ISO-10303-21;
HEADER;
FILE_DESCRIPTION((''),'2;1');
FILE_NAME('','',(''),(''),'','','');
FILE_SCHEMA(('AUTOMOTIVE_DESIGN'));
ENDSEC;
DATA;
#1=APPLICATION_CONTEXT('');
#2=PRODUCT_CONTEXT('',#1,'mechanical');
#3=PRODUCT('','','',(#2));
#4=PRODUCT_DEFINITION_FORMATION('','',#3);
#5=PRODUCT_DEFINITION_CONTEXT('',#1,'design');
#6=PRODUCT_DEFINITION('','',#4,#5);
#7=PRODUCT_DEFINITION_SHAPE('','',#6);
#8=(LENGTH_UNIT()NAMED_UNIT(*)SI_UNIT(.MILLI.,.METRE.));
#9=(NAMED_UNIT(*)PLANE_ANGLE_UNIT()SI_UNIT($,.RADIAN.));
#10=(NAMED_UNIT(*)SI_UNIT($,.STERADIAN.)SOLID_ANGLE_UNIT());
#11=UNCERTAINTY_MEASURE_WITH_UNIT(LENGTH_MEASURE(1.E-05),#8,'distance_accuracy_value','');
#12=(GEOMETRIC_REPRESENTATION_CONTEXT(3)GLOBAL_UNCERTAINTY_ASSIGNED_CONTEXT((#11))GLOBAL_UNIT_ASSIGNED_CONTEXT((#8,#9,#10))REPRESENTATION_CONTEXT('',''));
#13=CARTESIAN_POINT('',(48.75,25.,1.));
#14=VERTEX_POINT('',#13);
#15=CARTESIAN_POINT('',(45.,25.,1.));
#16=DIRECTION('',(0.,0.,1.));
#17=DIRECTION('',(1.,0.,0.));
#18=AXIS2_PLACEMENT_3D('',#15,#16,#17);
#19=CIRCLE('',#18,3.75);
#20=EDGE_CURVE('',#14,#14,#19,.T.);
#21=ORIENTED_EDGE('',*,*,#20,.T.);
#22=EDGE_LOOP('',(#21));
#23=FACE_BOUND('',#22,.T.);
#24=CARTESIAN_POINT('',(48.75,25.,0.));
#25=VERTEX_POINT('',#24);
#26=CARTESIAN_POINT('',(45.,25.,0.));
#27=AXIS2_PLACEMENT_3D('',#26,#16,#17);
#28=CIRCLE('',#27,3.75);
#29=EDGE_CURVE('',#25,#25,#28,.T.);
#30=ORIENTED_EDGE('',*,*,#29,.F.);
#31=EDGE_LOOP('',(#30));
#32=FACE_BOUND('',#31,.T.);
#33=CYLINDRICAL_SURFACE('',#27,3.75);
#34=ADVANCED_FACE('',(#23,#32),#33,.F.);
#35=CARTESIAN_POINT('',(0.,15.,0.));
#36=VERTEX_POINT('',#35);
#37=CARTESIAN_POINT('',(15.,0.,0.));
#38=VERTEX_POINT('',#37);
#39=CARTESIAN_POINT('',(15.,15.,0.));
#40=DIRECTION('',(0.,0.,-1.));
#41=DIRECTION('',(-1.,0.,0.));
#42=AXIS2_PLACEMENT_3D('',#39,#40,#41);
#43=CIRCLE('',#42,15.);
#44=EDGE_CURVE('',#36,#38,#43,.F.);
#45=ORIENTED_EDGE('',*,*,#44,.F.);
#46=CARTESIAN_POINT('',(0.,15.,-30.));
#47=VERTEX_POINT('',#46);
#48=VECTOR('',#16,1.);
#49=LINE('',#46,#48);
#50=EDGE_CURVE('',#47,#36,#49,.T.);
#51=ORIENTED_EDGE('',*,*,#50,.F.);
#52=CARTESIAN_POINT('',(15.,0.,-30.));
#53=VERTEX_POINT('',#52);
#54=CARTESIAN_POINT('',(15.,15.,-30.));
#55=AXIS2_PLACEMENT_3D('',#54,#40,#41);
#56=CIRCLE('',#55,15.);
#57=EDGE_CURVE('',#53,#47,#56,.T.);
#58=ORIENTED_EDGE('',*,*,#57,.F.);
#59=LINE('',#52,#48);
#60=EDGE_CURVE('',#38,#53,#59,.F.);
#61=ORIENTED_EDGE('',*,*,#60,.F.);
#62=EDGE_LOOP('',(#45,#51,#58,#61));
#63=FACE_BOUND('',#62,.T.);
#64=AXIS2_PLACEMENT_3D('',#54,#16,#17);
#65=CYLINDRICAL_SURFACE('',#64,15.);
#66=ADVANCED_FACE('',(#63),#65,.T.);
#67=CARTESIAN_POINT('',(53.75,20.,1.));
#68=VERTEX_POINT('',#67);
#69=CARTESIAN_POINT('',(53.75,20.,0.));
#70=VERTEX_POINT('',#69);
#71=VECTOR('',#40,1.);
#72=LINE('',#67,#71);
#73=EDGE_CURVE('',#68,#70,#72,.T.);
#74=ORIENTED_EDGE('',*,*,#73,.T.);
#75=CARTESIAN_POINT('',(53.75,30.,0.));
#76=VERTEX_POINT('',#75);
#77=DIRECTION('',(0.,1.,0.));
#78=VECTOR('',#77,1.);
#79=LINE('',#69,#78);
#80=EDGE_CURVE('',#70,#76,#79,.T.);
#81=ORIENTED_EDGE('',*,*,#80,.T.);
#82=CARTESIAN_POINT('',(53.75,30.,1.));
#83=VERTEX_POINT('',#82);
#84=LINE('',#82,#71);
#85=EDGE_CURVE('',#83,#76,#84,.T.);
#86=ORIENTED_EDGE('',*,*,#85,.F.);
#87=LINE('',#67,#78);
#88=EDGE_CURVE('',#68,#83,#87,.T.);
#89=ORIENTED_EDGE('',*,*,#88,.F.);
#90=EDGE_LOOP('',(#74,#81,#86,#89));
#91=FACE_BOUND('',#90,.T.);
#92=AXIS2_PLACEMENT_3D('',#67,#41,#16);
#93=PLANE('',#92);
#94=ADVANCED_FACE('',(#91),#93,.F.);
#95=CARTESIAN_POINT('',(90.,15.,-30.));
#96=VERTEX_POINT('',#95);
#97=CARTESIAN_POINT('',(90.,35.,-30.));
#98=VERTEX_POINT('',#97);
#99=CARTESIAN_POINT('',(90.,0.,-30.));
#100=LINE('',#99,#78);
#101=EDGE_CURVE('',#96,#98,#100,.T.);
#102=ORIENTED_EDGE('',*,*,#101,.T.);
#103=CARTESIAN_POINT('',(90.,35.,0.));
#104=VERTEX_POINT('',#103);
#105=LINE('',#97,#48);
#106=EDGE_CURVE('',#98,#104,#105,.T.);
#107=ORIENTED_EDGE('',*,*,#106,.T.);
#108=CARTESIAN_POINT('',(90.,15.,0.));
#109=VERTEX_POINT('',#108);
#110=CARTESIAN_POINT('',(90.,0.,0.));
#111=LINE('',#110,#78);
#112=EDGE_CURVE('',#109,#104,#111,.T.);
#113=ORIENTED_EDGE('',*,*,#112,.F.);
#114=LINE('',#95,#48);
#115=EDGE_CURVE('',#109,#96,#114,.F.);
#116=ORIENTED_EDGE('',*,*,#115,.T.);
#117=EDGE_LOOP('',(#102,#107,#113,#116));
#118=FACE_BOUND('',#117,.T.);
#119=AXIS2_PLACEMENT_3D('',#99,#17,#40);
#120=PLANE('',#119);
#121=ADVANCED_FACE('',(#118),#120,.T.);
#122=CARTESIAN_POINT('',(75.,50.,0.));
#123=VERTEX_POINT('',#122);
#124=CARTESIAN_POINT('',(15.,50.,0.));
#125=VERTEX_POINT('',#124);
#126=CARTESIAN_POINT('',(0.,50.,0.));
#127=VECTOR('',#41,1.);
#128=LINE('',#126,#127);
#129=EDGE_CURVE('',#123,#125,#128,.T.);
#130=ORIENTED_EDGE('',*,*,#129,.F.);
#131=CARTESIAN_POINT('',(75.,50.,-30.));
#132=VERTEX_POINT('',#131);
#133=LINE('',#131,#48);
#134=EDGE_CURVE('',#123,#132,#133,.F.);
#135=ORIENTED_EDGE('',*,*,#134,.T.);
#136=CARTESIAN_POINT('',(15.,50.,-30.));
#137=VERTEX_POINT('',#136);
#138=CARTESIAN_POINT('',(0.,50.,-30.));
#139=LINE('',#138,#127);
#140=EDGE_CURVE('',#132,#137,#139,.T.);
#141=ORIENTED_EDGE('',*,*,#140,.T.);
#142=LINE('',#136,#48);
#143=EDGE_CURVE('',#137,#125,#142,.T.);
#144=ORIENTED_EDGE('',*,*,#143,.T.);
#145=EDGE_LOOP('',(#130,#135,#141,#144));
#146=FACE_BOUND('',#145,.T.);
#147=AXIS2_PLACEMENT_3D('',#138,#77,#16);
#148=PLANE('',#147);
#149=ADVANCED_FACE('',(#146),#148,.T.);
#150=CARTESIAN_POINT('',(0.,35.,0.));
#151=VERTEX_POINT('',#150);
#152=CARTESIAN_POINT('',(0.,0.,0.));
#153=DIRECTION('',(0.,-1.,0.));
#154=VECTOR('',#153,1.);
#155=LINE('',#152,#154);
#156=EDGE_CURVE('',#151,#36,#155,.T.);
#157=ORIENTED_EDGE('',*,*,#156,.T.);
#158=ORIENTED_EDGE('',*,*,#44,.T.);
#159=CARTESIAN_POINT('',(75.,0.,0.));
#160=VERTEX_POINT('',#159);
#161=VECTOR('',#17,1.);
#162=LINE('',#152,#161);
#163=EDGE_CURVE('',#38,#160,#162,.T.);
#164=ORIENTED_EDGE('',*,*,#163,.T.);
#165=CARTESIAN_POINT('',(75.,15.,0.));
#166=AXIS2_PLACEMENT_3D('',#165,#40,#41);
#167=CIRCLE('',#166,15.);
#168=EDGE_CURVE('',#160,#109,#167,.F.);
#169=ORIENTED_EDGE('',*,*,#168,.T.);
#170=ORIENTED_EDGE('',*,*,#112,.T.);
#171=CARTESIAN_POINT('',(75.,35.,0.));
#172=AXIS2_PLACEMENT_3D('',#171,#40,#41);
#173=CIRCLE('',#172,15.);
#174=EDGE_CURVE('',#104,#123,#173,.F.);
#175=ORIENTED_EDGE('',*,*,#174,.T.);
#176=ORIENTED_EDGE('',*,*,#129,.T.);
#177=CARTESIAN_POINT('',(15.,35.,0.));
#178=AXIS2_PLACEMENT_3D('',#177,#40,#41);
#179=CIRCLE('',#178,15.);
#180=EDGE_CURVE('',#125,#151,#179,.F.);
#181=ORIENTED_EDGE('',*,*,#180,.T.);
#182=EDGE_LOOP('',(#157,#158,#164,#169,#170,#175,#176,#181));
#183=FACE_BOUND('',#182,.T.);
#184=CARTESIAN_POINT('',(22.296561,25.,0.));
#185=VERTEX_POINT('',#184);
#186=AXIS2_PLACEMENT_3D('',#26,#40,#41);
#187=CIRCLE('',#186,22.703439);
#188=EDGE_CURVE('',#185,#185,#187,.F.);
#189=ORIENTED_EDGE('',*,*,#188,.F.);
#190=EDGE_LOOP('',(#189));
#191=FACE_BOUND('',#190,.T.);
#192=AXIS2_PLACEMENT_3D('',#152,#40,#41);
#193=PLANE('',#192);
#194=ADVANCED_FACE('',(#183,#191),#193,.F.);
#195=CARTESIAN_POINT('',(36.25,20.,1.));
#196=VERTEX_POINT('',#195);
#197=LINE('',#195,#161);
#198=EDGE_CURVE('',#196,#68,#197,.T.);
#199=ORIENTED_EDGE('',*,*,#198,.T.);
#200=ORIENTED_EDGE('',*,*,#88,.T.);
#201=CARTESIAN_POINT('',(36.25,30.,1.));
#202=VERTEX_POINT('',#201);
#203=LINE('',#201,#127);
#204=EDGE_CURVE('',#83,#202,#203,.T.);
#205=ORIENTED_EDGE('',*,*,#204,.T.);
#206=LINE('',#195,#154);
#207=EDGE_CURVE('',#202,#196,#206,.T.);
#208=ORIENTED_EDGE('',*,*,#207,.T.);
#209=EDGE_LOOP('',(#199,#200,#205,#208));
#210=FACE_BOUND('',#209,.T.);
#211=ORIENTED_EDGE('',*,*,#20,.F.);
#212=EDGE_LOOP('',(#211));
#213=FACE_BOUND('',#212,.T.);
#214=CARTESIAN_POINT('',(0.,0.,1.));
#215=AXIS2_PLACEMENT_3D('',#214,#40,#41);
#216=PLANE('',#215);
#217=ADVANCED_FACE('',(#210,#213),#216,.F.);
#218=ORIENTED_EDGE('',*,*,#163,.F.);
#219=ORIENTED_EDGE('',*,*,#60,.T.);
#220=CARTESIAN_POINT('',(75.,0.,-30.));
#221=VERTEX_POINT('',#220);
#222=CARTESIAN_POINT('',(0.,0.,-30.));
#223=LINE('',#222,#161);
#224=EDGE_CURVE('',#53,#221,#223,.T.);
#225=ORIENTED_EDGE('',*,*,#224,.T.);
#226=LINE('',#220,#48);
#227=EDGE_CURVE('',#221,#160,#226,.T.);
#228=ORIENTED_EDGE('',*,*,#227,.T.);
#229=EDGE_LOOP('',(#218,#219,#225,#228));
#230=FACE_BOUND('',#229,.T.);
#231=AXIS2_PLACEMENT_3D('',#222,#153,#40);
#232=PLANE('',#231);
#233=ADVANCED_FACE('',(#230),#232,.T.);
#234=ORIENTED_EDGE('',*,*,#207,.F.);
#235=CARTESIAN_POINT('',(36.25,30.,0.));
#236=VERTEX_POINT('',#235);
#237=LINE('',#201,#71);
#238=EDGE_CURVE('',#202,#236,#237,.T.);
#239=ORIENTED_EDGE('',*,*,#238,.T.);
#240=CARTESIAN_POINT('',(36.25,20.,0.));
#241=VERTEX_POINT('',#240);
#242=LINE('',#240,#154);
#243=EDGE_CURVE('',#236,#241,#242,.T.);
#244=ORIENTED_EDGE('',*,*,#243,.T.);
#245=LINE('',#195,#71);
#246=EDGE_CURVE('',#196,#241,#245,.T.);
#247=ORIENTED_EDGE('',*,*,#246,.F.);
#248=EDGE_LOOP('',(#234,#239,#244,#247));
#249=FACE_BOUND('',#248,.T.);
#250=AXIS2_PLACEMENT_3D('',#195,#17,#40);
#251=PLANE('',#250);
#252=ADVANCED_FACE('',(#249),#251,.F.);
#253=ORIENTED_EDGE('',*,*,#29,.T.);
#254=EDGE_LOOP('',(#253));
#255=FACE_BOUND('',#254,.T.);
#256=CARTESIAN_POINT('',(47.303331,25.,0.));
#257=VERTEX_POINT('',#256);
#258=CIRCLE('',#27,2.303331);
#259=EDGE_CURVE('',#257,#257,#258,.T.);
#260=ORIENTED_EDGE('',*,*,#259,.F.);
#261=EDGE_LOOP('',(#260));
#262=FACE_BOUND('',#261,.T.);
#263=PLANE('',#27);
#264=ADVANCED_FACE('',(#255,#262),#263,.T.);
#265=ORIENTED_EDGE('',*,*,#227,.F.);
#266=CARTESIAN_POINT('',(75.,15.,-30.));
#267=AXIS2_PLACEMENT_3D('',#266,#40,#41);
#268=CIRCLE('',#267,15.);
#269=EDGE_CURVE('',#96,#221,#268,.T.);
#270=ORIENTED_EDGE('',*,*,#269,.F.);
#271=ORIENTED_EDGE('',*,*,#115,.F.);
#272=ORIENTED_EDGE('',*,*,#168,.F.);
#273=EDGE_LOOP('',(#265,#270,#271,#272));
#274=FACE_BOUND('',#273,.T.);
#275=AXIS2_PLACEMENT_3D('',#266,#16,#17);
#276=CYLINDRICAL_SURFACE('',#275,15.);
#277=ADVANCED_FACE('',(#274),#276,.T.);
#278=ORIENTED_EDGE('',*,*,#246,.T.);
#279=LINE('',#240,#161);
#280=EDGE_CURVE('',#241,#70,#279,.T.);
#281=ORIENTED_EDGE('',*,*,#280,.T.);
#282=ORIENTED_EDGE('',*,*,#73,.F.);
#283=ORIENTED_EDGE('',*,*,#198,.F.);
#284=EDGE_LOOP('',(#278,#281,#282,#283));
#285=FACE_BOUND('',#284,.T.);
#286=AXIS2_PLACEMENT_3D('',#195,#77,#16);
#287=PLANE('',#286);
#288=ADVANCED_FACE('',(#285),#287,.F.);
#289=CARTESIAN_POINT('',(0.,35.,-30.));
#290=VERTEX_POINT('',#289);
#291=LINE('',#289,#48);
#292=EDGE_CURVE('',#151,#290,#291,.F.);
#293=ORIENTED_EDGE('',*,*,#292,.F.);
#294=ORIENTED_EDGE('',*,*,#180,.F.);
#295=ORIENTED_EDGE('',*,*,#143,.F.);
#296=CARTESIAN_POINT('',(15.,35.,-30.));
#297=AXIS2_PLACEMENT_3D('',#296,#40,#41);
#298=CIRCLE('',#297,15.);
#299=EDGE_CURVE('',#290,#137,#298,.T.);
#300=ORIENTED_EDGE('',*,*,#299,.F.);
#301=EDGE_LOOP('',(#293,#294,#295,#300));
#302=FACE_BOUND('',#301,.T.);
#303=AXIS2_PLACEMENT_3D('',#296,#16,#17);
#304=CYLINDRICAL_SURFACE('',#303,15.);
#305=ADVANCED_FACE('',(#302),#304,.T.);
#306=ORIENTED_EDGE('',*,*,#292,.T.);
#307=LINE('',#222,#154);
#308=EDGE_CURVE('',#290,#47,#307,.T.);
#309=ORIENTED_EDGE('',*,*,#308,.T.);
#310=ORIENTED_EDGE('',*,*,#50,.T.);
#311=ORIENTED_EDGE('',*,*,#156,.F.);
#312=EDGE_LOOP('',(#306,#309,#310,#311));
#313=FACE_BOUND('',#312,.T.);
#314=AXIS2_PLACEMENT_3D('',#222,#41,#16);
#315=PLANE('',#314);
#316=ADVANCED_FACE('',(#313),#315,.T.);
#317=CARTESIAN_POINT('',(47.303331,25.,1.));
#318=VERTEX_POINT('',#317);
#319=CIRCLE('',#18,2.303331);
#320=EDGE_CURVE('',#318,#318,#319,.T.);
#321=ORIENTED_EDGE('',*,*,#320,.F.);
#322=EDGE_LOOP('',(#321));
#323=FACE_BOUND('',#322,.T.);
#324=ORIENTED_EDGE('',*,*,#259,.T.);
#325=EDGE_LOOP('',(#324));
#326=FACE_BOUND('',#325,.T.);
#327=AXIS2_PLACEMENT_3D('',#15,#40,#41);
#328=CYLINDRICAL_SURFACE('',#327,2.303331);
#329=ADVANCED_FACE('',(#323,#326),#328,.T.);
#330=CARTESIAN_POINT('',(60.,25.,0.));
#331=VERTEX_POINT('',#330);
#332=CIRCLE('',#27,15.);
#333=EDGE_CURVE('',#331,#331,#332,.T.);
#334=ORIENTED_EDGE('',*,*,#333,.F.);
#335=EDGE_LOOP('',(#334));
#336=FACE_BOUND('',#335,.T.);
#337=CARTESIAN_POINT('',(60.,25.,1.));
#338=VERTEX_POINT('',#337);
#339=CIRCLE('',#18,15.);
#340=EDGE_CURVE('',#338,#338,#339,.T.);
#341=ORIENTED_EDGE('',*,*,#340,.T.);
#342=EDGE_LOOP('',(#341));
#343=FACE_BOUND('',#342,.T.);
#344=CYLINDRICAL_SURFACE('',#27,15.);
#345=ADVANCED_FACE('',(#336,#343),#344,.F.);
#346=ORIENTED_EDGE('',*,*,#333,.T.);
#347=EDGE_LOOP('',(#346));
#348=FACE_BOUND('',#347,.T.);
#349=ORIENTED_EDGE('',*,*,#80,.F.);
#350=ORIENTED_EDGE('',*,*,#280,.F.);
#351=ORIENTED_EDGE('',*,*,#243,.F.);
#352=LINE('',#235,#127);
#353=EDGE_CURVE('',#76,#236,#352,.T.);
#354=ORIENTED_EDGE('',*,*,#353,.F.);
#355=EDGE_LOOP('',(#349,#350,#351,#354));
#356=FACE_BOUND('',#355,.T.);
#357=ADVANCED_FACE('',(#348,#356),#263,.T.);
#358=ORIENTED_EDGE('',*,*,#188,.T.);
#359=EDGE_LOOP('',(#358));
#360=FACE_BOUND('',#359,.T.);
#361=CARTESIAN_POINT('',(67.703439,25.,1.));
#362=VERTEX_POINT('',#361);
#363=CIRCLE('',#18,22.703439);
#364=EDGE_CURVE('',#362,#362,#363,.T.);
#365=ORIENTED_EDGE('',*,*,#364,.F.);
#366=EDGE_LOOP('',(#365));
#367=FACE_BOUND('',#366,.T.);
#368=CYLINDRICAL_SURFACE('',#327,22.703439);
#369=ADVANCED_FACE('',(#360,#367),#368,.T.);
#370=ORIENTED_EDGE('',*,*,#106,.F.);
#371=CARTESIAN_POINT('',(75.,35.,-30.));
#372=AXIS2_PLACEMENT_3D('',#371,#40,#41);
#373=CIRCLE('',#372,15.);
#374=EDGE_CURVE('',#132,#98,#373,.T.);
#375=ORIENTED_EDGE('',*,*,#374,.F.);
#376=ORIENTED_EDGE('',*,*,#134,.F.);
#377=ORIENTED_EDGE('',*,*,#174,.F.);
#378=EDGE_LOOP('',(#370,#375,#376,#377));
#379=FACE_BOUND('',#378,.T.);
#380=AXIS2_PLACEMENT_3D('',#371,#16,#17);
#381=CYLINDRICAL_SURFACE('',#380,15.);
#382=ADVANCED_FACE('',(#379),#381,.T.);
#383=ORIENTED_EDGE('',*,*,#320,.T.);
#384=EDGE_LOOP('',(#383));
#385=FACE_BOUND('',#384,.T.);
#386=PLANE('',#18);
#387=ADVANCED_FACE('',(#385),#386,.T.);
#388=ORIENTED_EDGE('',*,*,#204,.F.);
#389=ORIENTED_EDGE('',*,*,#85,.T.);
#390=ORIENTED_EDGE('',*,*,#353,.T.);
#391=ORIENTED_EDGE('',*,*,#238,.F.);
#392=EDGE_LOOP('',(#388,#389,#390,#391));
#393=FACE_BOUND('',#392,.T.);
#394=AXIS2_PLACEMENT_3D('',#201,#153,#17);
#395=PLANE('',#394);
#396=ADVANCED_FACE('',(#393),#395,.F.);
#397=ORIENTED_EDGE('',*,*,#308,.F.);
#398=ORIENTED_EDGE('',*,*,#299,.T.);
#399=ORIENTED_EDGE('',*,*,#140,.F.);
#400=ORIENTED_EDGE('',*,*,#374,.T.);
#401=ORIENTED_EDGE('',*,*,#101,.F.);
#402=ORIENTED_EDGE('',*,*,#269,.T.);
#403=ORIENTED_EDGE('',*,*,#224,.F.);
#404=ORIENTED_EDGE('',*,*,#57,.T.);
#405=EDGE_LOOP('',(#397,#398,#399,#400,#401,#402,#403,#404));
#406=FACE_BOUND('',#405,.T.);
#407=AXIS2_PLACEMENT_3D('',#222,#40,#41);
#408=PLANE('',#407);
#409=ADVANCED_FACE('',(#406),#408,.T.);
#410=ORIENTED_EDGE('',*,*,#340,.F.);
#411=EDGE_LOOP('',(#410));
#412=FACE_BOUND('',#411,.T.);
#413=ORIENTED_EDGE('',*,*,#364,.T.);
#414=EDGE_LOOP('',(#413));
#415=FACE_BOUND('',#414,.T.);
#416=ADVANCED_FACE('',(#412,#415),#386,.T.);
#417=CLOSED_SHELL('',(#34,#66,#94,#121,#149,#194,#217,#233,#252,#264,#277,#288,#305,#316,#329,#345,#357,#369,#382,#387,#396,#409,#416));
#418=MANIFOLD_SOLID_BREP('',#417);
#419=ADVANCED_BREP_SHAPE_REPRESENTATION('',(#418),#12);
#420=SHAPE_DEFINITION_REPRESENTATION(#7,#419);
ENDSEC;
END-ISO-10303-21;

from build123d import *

# Parameters (mm, degrees)
SKETCH1_W           = 90
SKETCH1_H           = 50
BOSS_EXTRUDE1_DEPTH = 30
FILLET1_R           = 15
SKETCH2_R           = 22.703438641
BOSS_EXTRUDE2_DEPTH = 1
SKETCH3_R           = 15
CUT_EXTRUDE1_DEPTH  = 1
SKETCH4_W           = 17.5
SKETCH4_H           = 10
BOSS_EXTRUDE3_DEPTH = 1
SKETCH5_R           = 3.75
CUT_EXTRUDE2_DEPTH  = 1
SKETCH6_R           = 2.30333071
BOSS_EXTRUDE4_DEPTH = 1


with BuildPart() as part:
    # Sketch1 → Boss-Extrude1 (new body)
    with BuildSketch(Plane.XY):
        with Locations((45, 25)):
            Rectangle(SKETCH1_W, SKETCH1_H)
    extrude(amount=-BOSS_EXTRUDE1_DEPTH)

    # Fillet1
    fillet1_edges = [part.edges().sort_by_distance(p)[0] for p in [
        (0, 50, -15),
        (90, 50, -15),
        (90, 0, -15),
        (0, 0, -15),
    ]]
    fillet(fillet1_edges, radius=FILLET1_R)

    # Sketch2 → Boss-Extrude2 (add)
    with BuildSketch(Plane.XY):
        with Locations((45, 25)):
            Circle(SKETCH2_R)
    extrude(amount=BOSS_EXTRUDE2_DEPTH)

    # Sketch3 → Cut-Extrude1 (cut)
    with BuildSketch(Plane.XY.offset(1)):
        with Locations((45, 25)):
            Circle(SKETCH3_R)
    extrude(amount=-CUT_EXTRUDE1_DEPTH, mode=Mode.SUBTRACT)

    # Sketch4 → Boss-Extrude3 (add)
    with BuildSketch(Plane.XY):
        with Locations((45, 25)):
            Rectangle(SKETCH4_W, SKETCH4_H)
    extrude(amount=BOSS_EXTRUDE3_DEPTH)

    # Sketch5 → Cut-Extrude2 (cut)
    with BuildSketch(Plane.XY.offset(1)):
        with Locations((45, 25)):
            Circle(SKETCH5_R)
    extrude(amount=-CUT_EXTRUDE2_DEPTH, mode=Mode.SUBTRACT)

    # Sketch6 → Boss-Extrude4 (add)
    with BuildSketch(Plane.XY):
        with Locations((45, 25)):
            Circle(SKETCH6_R)
    extrude(amount=BOSS_EXTRUDE4_DEPTH)


solid = part.part
